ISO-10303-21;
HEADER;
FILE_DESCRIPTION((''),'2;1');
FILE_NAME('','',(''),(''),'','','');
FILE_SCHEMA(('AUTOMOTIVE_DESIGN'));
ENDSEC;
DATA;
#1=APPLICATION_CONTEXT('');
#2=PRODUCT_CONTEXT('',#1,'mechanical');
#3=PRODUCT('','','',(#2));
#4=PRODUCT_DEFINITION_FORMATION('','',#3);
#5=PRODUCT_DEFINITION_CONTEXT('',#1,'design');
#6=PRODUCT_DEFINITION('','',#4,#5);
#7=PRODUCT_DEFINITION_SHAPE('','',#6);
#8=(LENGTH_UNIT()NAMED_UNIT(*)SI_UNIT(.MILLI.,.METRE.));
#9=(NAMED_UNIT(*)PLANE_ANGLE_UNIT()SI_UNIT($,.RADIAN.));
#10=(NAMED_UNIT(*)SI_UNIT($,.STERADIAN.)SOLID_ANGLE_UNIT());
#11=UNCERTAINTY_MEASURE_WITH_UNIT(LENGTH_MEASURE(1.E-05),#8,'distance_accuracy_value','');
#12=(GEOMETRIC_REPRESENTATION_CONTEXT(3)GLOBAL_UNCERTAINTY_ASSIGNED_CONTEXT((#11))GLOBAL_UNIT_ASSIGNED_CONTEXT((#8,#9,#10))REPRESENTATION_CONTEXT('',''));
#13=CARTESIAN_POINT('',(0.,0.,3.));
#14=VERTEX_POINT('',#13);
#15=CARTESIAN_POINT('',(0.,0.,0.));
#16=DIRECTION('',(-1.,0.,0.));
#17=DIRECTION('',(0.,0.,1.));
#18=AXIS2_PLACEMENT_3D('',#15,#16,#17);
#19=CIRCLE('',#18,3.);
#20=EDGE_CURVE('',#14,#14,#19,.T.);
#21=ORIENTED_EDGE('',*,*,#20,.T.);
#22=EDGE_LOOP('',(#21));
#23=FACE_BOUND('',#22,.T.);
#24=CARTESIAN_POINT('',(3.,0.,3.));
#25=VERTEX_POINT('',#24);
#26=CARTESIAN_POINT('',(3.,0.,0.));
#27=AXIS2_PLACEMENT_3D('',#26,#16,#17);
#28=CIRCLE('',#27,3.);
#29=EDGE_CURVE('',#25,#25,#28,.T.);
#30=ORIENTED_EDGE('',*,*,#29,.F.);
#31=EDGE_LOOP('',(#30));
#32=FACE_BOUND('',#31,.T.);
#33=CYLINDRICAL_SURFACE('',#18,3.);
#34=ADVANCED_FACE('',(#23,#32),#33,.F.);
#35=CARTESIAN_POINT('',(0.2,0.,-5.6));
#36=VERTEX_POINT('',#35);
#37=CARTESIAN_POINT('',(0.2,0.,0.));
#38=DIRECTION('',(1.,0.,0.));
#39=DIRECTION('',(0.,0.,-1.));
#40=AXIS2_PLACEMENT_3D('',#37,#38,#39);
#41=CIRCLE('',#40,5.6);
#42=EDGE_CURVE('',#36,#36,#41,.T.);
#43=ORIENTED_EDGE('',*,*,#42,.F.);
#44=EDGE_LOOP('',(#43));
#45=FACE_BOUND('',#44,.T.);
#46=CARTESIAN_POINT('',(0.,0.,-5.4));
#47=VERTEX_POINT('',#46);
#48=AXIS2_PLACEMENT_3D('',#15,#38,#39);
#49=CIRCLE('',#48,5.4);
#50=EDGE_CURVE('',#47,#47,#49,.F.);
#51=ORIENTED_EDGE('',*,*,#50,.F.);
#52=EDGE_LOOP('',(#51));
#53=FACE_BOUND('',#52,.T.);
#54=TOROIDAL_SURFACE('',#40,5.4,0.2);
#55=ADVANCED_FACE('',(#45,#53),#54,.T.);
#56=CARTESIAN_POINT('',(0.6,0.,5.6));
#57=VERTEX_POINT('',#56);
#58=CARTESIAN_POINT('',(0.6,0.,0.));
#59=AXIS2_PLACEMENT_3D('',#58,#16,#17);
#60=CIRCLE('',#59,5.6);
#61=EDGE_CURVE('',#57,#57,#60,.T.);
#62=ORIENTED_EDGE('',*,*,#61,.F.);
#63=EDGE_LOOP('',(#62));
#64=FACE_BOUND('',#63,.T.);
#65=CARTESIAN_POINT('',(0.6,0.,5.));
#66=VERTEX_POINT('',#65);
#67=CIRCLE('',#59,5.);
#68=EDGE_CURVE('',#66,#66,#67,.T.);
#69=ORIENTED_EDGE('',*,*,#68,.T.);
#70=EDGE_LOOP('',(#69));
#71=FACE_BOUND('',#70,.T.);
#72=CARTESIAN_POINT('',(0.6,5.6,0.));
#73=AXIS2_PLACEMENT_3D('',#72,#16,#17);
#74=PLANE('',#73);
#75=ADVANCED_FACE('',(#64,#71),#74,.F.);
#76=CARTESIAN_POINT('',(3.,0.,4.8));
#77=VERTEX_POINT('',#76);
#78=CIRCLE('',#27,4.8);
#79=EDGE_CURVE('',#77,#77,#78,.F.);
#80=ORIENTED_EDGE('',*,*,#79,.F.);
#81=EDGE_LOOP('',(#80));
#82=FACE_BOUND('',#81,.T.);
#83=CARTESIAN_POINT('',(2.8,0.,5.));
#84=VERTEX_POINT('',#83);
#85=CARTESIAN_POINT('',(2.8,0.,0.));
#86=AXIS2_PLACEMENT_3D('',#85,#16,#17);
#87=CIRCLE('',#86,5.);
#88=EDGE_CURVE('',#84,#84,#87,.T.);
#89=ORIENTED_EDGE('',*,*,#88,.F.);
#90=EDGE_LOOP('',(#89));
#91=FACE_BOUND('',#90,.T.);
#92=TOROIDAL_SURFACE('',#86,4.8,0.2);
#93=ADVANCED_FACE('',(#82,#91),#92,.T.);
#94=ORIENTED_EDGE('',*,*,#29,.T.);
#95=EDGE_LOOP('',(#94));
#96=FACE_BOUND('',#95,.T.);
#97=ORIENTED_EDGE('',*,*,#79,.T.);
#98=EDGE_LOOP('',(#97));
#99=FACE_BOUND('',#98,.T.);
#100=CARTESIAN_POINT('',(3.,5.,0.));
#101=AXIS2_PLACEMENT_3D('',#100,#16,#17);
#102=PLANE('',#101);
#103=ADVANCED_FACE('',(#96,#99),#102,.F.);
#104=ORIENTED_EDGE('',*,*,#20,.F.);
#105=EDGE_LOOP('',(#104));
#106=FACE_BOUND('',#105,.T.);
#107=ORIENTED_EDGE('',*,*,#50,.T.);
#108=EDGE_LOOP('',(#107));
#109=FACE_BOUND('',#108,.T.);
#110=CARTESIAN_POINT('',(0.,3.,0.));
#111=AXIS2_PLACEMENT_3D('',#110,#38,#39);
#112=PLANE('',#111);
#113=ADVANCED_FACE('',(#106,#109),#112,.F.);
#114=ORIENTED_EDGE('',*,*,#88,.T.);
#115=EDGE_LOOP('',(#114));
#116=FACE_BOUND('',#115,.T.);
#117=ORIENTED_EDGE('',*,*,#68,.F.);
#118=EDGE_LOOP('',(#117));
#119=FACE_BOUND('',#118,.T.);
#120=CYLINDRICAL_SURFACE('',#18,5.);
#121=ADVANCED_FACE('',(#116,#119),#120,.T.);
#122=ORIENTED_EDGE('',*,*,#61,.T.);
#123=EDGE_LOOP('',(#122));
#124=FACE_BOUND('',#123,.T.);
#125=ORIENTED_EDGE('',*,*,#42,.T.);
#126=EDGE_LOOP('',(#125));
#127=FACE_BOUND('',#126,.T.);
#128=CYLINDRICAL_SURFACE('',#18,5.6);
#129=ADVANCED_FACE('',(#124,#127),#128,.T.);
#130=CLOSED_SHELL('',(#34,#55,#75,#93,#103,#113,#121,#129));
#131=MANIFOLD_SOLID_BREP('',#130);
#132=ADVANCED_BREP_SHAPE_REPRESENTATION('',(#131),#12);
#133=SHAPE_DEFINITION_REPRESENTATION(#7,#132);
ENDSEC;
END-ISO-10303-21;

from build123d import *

# Parameters (mm, degrees)
FILLET1_R = 0.2


with BuildPart() as part:
    # Sketch1 → Revolve1 (revolve)
    with BuildSketch(Plane.XY):
        Polygon((0, 3), (0, 5.6), (0.6, 5.6), (0.6, 5), (3, 5), (3, 3), align=None)
    revolve(axis=Axis((0, 0, 0), (1, 0, 0)))

    # Fillet1
    fillet1_edges = [part.edges().sort_by_distance(p)[0] for p in [
        (3, -5, 0),
        (0, -5.6, 0),
    ]]
    fillet(fillet1_edges, radius=FILLET1_R)


solid = part.part
